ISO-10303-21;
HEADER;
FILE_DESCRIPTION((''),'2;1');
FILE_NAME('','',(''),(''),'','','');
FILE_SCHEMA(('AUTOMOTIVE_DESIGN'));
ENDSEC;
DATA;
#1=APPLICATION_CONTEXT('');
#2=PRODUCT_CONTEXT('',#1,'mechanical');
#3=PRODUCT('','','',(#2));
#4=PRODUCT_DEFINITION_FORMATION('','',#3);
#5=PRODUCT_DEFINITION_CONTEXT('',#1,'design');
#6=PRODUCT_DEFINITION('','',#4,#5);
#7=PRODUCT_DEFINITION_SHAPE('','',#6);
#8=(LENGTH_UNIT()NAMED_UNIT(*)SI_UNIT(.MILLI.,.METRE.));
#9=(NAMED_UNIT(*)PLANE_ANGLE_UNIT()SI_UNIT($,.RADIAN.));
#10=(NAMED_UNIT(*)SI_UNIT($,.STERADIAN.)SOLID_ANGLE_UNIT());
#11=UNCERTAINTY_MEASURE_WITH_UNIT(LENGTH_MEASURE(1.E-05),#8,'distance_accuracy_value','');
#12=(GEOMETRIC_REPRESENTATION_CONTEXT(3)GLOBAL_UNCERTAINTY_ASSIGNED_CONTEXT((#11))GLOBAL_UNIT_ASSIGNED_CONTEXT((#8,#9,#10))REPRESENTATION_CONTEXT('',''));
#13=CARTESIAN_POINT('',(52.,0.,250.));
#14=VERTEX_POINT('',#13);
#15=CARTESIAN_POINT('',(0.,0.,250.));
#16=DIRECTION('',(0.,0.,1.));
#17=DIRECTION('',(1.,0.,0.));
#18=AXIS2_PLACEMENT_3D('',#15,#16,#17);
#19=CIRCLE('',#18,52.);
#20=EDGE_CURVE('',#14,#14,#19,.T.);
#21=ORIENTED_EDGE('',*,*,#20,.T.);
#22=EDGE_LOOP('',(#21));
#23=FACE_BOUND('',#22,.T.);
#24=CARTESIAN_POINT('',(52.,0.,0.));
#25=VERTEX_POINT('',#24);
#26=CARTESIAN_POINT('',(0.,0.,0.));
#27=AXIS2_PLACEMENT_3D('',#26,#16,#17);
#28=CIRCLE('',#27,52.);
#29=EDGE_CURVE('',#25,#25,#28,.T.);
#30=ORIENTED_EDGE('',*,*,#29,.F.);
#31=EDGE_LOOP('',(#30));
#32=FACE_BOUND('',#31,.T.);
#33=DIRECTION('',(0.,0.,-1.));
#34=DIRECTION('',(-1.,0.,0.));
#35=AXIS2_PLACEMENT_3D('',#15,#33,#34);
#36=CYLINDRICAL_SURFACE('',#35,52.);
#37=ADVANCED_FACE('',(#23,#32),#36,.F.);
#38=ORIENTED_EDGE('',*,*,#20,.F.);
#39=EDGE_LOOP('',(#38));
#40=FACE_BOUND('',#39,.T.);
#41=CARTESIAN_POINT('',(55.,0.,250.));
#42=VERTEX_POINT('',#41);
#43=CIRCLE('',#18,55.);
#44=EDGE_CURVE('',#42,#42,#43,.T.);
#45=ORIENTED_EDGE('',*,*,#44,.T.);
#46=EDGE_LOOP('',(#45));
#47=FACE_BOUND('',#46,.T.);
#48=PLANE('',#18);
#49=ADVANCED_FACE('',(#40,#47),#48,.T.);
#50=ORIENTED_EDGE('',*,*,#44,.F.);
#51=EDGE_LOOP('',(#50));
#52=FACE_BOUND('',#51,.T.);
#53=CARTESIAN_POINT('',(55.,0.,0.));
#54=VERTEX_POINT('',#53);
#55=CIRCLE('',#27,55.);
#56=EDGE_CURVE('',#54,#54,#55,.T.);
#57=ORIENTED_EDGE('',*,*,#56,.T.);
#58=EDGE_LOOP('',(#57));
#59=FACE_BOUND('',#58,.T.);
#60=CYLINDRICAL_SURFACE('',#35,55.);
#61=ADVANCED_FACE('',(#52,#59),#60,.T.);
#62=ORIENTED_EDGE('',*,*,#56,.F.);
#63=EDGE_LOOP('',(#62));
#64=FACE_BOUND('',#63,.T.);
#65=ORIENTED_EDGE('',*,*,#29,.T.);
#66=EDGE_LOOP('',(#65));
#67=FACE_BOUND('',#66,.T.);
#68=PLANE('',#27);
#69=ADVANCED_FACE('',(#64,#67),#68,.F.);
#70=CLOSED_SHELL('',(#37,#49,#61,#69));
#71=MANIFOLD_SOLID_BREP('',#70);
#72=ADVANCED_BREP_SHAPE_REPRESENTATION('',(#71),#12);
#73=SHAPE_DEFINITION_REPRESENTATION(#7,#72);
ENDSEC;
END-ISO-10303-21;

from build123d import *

# Parameters (mm, degrees)
SKETCH_2_R      = 55
SKETCH_2_R_2    = 52
EXTRUDE_1_DEPTH = 250


with BuildPart() as part:
    # 草图2 → 凸台-拉伸1 (new body)
    with BuildSketch(Plane.XY):
        Circle(SKETCH_2_R)
        Circle(SKETCH_2_R_2, mode=Mode.SUBTRACT)
    extrude(amount=EXTRUDE_1_DEPTH)


solid = part.part
